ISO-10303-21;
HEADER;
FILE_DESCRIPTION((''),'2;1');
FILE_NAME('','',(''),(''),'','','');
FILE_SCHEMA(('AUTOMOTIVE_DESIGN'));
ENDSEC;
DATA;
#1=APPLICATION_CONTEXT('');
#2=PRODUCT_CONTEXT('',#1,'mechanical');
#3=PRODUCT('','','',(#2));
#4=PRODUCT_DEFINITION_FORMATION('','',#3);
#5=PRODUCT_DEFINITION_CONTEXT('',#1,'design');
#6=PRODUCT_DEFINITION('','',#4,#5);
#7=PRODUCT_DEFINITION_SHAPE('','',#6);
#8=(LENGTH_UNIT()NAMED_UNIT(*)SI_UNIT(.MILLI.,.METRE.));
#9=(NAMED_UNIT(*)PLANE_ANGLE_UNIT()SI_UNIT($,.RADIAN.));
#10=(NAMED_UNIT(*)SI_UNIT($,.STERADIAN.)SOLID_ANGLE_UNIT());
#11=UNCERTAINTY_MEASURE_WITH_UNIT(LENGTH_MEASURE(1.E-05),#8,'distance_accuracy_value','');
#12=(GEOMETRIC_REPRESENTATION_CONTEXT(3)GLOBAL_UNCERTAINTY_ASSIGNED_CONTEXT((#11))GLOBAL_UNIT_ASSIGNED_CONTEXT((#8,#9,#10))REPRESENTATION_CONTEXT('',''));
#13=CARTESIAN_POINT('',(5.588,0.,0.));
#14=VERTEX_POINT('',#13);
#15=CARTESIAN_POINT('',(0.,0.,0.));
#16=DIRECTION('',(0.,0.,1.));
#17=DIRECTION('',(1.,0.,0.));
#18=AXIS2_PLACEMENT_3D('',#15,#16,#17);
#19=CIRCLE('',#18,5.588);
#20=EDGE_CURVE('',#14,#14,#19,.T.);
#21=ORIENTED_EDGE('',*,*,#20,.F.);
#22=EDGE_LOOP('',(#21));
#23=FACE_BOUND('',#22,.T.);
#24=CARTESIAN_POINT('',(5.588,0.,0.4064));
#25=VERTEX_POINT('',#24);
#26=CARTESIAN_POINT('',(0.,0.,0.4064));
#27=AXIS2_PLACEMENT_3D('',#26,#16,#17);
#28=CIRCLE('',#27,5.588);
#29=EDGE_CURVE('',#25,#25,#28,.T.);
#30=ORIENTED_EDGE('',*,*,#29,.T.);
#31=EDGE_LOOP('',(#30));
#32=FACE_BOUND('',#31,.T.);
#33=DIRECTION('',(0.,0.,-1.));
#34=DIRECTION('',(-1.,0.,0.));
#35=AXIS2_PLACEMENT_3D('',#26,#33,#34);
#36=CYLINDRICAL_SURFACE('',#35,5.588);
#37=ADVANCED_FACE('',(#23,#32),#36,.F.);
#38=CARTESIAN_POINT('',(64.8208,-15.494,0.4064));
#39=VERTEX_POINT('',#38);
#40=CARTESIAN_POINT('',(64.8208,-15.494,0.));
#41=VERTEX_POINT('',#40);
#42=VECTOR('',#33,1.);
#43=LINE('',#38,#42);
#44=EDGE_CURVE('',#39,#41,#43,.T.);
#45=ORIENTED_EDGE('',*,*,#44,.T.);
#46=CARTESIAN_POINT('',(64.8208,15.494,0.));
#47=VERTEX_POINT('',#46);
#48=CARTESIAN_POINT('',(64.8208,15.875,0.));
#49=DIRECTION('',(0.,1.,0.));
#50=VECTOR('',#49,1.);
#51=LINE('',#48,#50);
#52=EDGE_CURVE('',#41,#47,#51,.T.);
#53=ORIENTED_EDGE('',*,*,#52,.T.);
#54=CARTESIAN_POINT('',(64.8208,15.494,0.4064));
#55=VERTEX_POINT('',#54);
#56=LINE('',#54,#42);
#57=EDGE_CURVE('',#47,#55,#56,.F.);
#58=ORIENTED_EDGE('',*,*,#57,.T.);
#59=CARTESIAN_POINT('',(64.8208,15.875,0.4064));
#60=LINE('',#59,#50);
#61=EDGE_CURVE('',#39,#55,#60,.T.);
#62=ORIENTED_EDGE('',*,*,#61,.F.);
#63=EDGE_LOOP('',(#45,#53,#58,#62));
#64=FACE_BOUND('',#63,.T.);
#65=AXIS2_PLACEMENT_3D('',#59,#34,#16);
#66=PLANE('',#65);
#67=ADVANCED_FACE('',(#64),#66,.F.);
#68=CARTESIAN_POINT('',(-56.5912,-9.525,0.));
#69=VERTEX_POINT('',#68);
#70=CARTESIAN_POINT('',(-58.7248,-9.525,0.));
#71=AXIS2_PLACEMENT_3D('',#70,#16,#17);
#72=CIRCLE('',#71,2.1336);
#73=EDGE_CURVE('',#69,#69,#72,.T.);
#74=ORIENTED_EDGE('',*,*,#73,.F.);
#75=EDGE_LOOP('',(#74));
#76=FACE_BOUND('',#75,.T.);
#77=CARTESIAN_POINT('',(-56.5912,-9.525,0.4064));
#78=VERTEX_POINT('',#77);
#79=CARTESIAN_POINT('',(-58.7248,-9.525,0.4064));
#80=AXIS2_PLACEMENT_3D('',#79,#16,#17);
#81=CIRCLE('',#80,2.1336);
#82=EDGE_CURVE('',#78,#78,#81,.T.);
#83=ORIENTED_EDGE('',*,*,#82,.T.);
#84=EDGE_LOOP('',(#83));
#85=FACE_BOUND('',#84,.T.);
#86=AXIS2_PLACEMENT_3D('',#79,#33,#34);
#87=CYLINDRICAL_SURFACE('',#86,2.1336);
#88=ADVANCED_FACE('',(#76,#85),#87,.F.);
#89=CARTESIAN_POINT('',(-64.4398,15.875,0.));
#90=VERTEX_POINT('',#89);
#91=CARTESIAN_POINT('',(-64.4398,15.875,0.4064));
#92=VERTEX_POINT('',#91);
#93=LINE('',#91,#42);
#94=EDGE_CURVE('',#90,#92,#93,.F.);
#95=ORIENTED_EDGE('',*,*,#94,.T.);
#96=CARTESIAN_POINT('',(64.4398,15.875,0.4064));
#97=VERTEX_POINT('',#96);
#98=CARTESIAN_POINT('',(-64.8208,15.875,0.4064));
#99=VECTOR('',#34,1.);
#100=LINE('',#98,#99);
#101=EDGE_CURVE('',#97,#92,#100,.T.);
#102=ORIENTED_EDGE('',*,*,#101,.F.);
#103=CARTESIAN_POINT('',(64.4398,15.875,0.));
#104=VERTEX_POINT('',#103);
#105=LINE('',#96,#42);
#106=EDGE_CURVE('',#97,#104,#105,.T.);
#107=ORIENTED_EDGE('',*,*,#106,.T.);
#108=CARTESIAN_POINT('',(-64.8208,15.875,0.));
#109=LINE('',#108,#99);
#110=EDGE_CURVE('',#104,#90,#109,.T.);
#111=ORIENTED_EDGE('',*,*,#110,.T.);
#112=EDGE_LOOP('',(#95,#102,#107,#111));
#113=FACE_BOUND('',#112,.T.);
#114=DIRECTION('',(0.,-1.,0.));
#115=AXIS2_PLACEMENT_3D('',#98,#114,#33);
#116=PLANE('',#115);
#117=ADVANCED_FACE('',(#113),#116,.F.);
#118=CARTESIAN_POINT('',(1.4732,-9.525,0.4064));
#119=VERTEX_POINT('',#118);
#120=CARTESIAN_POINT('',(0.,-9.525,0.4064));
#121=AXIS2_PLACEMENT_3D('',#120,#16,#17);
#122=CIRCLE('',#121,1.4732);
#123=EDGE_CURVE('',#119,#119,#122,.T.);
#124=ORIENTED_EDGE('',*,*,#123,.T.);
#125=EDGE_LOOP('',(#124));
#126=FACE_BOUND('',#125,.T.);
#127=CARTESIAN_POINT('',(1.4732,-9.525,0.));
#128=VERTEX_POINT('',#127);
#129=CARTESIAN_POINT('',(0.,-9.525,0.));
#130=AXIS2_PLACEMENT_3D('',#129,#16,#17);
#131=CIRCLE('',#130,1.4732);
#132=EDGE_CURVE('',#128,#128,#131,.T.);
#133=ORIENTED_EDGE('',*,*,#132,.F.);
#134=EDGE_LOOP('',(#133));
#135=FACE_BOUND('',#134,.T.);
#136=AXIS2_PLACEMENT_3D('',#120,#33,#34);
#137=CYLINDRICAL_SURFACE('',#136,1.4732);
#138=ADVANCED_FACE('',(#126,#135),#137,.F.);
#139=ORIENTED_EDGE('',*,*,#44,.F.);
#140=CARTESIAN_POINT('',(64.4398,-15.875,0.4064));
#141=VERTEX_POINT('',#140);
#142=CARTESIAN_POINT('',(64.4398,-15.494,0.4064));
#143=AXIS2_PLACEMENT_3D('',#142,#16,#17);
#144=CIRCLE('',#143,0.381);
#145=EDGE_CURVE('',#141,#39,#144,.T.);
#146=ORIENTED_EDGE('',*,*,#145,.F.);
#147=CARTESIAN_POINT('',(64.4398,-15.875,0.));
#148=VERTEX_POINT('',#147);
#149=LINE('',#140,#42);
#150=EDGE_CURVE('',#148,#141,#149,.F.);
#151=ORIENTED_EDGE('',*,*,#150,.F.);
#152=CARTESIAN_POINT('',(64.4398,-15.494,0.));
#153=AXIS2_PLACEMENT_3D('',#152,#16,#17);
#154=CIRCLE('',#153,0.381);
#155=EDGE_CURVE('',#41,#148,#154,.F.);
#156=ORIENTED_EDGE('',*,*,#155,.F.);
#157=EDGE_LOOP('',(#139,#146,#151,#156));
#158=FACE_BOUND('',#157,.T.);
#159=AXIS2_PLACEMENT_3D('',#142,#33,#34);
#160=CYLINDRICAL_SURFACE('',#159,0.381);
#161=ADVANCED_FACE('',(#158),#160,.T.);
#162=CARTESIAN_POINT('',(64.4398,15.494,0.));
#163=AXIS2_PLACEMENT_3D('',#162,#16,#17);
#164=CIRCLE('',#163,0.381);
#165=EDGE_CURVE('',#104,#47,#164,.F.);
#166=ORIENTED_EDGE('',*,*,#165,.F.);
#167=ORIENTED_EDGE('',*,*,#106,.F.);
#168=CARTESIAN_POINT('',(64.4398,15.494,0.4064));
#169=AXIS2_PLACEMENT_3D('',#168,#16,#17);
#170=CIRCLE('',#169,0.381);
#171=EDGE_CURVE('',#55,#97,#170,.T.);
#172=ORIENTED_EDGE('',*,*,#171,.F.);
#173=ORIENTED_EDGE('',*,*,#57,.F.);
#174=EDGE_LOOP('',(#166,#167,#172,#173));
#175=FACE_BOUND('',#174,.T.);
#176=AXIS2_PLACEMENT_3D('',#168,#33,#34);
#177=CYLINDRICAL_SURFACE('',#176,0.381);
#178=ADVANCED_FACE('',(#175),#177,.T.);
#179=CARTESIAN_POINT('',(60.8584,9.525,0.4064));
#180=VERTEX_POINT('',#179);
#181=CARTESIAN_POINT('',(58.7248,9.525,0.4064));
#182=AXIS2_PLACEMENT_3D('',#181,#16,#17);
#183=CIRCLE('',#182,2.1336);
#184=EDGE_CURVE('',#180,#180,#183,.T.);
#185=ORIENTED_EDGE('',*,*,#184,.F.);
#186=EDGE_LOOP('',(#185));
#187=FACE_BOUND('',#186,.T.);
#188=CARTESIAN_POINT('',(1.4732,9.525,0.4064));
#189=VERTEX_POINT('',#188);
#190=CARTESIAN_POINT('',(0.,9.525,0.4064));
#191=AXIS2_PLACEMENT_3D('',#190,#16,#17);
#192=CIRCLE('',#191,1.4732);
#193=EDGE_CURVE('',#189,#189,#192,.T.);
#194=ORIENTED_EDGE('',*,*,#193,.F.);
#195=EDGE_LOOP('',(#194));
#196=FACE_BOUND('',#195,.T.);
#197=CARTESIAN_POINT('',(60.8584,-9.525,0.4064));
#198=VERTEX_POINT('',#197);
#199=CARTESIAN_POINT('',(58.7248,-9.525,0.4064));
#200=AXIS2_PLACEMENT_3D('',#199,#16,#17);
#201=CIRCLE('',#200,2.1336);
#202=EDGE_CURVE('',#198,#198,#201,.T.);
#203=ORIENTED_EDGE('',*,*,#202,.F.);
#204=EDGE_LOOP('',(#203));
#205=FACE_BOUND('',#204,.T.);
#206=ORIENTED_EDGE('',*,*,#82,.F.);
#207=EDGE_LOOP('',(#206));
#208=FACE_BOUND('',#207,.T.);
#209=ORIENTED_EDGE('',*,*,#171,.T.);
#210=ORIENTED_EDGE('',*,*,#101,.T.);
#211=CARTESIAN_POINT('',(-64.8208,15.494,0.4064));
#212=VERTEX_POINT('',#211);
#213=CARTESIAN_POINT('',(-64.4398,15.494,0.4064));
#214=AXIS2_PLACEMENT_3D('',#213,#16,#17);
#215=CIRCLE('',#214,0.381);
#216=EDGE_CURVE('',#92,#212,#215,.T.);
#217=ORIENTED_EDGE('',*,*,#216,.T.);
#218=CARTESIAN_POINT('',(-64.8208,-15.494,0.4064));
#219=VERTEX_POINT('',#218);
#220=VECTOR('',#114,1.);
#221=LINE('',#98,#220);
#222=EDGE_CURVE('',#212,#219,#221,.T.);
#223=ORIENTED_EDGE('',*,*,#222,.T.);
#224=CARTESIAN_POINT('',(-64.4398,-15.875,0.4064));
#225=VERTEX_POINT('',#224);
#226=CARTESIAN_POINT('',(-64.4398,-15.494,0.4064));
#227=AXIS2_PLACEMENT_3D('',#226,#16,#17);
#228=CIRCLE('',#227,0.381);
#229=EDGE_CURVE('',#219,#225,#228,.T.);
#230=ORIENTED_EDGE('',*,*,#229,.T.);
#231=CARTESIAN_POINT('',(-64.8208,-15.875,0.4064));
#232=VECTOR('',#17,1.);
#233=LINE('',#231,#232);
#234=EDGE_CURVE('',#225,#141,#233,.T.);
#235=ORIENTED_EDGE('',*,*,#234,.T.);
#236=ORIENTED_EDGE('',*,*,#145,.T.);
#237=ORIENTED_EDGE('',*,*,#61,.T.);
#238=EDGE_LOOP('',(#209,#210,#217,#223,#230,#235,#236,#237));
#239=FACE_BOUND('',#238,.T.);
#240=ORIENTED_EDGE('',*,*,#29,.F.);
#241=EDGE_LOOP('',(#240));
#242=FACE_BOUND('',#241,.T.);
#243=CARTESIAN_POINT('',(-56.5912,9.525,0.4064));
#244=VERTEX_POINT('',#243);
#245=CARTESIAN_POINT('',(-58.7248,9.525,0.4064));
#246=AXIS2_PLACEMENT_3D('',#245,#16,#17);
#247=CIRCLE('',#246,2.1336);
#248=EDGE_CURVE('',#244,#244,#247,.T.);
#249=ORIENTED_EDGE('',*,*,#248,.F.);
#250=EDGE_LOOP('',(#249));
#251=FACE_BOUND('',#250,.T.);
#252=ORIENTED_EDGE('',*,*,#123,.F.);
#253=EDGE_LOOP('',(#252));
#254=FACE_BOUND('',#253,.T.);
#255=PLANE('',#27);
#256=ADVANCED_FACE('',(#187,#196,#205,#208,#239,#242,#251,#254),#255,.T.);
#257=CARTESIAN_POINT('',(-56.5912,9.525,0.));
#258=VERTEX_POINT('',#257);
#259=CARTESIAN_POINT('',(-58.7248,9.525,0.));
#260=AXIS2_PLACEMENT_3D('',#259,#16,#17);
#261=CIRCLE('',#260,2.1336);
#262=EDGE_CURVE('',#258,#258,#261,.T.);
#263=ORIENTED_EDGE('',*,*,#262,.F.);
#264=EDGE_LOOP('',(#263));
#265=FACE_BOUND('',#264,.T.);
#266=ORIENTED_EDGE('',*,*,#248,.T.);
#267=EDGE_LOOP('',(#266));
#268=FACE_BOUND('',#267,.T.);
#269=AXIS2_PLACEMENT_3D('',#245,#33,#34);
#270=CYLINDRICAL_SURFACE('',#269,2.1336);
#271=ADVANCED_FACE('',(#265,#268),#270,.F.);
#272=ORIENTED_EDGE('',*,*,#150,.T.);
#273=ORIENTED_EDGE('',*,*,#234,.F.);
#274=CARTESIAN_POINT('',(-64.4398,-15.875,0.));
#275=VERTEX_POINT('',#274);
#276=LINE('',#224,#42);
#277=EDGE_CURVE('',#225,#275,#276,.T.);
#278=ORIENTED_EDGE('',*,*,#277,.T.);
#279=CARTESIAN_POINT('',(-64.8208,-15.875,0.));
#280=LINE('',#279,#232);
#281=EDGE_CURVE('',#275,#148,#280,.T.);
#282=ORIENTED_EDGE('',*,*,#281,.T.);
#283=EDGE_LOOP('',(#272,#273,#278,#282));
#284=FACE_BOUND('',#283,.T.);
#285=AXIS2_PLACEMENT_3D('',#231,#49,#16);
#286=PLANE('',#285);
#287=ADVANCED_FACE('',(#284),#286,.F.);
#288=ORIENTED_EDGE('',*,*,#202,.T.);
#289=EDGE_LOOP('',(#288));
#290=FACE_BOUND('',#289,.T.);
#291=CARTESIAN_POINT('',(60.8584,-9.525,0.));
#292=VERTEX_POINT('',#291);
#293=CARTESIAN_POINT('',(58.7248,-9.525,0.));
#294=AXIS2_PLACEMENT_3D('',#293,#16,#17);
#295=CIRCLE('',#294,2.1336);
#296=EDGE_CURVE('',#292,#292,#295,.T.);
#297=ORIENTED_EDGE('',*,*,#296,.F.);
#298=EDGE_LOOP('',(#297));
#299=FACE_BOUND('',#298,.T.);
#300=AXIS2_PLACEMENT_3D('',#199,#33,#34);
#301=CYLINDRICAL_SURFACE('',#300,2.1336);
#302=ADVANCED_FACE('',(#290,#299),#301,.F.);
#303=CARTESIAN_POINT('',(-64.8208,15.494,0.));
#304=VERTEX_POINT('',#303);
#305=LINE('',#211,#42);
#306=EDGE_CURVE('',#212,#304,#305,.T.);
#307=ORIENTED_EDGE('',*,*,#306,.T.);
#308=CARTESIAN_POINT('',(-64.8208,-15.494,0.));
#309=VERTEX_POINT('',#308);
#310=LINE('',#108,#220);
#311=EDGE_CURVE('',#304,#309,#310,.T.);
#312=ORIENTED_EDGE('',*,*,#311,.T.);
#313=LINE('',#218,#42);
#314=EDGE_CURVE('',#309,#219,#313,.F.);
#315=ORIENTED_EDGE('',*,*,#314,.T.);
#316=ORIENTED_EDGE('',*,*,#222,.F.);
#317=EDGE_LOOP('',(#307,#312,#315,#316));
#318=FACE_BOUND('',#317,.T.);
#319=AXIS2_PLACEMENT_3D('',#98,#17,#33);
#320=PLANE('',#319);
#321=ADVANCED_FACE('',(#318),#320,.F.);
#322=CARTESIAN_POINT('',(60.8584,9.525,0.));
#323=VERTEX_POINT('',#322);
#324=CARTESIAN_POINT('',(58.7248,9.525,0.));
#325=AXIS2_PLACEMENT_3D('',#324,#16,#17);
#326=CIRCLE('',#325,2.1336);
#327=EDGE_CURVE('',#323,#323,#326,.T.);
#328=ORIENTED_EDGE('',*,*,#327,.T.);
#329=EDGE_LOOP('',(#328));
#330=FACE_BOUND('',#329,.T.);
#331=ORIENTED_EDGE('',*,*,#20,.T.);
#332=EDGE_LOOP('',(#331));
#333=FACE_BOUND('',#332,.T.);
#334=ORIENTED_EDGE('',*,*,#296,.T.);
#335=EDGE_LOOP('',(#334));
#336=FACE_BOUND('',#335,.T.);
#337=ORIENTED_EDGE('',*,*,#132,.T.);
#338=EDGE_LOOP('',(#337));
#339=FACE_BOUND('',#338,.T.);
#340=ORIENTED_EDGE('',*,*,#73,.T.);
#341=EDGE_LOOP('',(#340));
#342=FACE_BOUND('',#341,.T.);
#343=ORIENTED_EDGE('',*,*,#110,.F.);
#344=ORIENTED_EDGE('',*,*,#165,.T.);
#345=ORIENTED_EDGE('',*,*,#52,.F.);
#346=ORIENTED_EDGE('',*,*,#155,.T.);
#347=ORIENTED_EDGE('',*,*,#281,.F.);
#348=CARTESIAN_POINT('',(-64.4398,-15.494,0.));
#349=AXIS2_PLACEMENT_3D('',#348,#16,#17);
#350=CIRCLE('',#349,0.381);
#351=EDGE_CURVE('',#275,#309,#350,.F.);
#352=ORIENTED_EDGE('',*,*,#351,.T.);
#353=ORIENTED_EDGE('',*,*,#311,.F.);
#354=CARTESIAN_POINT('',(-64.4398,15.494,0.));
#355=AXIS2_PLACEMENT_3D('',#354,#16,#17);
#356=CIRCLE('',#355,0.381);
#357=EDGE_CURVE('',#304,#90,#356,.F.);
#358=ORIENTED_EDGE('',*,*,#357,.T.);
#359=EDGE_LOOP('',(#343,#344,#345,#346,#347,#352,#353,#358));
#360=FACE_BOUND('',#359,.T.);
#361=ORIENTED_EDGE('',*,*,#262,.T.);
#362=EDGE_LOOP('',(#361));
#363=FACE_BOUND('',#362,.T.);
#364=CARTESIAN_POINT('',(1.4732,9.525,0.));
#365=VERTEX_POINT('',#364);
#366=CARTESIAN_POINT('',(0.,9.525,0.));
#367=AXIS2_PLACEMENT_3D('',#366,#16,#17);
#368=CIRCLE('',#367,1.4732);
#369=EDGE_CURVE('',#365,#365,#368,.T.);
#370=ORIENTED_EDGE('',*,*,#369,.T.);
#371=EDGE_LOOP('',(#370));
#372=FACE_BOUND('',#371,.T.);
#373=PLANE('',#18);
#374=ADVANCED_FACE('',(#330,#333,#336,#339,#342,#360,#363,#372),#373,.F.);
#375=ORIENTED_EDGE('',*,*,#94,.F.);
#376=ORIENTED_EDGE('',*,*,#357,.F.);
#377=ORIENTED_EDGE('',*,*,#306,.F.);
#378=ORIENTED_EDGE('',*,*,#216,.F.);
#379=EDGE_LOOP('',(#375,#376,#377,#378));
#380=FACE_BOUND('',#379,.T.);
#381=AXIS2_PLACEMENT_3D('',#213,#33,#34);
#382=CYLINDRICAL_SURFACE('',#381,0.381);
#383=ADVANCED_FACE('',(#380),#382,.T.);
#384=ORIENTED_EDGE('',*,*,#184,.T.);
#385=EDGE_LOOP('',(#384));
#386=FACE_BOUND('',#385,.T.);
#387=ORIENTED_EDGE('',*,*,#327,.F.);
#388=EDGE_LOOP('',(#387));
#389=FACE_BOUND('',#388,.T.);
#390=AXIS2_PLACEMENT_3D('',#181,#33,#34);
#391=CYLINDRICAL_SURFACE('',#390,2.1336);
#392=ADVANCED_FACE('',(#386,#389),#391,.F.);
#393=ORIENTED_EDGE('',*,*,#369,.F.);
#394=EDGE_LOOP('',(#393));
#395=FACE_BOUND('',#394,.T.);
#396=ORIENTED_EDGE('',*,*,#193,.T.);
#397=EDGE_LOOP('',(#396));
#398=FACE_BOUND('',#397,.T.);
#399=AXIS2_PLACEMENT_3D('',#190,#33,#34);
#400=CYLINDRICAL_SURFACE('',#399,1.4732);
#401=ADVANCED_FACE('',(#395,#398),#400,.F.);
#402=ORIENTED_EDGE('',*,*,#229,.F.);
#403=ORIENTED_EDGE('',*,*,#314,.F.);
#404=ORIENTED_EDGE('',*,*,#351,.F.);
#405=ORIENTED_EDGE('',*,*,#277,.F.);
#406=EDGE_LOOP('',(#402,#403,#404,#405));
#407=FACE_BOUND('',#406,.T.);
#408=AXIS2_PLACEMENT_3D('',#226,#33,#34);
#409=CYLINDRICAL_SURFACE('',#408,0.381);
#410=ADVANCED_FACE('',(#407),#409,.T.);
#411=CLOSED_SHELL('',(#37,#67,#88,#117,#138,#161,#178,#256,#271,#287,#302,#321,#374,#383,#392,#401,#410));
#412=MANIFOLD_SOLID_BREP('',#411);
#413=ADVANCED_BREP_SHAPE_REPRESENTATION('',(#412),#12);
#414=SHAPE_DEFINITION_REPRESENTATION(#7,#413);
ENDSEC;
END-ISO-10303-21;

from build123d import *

# Parameters (mm, degrees)
SKETCH1_W           = 129.6416
SKETCH1_H           = 31.75
SKETCH1_R           = 2.1336
SKETCH1_R_2         = 5.588
SKETCH1_R_3         = 1.4732
BOSS_EXTRUDE1_DEPTH = 0.4064
FILLET1_R           = 0.381


with BuildPart() as part:
    # Sketch1 → Boss-Extrude1 (new body)
    with BuildSketch(Plane.XY):
        Rectangle(SKETCH1_W, SKETCH1_H)
        with Locations((58.7248, 9.525)):
            Circle(SKETCH1_R, mode=Mode.SUBTRACT)
        with Locations((58.7248, -9.525)):
            Circle(SKETCH1_R, mode=Mode.SUBTRACT)
        Circle(SKETCH1_R_2, mode=Mode.SUBTRACT)
        with Locations((0, 9.525)):
            Circle(SKETCH1_R_3, mode=Mode.SUBTRACT)
        with Locations((0, -9.525)):
            Circle(SKETCH1_R_3, mode=Mode.SUBTRACT)
        with Locations((-58.7248, 9.525)):
            Circle(SKETCH1_R, mode=Mode.SUBTRACT)
        with Locations((-58.7248, -9.525)):
            Circle(SKETCH1_R, mode=Mode.SUBTRACT)
    extrude(amount=BOSS_EXTRUDE1_DEPTH)

    # Fillet1
    fillet1_edges = [part.edges().sort_by_distance(p)[0] for p in [
        (-64.8208, 15.875, 0.2032),
        (64.8208, 15.875, 0.2032),
        (64.8208, -15.875, 0.2032),
        (-64.8208, -15.875, 0.2032),
    ]]
    fillet(fillet1_edges, radius=FILLET1_R)


solid = part.part
